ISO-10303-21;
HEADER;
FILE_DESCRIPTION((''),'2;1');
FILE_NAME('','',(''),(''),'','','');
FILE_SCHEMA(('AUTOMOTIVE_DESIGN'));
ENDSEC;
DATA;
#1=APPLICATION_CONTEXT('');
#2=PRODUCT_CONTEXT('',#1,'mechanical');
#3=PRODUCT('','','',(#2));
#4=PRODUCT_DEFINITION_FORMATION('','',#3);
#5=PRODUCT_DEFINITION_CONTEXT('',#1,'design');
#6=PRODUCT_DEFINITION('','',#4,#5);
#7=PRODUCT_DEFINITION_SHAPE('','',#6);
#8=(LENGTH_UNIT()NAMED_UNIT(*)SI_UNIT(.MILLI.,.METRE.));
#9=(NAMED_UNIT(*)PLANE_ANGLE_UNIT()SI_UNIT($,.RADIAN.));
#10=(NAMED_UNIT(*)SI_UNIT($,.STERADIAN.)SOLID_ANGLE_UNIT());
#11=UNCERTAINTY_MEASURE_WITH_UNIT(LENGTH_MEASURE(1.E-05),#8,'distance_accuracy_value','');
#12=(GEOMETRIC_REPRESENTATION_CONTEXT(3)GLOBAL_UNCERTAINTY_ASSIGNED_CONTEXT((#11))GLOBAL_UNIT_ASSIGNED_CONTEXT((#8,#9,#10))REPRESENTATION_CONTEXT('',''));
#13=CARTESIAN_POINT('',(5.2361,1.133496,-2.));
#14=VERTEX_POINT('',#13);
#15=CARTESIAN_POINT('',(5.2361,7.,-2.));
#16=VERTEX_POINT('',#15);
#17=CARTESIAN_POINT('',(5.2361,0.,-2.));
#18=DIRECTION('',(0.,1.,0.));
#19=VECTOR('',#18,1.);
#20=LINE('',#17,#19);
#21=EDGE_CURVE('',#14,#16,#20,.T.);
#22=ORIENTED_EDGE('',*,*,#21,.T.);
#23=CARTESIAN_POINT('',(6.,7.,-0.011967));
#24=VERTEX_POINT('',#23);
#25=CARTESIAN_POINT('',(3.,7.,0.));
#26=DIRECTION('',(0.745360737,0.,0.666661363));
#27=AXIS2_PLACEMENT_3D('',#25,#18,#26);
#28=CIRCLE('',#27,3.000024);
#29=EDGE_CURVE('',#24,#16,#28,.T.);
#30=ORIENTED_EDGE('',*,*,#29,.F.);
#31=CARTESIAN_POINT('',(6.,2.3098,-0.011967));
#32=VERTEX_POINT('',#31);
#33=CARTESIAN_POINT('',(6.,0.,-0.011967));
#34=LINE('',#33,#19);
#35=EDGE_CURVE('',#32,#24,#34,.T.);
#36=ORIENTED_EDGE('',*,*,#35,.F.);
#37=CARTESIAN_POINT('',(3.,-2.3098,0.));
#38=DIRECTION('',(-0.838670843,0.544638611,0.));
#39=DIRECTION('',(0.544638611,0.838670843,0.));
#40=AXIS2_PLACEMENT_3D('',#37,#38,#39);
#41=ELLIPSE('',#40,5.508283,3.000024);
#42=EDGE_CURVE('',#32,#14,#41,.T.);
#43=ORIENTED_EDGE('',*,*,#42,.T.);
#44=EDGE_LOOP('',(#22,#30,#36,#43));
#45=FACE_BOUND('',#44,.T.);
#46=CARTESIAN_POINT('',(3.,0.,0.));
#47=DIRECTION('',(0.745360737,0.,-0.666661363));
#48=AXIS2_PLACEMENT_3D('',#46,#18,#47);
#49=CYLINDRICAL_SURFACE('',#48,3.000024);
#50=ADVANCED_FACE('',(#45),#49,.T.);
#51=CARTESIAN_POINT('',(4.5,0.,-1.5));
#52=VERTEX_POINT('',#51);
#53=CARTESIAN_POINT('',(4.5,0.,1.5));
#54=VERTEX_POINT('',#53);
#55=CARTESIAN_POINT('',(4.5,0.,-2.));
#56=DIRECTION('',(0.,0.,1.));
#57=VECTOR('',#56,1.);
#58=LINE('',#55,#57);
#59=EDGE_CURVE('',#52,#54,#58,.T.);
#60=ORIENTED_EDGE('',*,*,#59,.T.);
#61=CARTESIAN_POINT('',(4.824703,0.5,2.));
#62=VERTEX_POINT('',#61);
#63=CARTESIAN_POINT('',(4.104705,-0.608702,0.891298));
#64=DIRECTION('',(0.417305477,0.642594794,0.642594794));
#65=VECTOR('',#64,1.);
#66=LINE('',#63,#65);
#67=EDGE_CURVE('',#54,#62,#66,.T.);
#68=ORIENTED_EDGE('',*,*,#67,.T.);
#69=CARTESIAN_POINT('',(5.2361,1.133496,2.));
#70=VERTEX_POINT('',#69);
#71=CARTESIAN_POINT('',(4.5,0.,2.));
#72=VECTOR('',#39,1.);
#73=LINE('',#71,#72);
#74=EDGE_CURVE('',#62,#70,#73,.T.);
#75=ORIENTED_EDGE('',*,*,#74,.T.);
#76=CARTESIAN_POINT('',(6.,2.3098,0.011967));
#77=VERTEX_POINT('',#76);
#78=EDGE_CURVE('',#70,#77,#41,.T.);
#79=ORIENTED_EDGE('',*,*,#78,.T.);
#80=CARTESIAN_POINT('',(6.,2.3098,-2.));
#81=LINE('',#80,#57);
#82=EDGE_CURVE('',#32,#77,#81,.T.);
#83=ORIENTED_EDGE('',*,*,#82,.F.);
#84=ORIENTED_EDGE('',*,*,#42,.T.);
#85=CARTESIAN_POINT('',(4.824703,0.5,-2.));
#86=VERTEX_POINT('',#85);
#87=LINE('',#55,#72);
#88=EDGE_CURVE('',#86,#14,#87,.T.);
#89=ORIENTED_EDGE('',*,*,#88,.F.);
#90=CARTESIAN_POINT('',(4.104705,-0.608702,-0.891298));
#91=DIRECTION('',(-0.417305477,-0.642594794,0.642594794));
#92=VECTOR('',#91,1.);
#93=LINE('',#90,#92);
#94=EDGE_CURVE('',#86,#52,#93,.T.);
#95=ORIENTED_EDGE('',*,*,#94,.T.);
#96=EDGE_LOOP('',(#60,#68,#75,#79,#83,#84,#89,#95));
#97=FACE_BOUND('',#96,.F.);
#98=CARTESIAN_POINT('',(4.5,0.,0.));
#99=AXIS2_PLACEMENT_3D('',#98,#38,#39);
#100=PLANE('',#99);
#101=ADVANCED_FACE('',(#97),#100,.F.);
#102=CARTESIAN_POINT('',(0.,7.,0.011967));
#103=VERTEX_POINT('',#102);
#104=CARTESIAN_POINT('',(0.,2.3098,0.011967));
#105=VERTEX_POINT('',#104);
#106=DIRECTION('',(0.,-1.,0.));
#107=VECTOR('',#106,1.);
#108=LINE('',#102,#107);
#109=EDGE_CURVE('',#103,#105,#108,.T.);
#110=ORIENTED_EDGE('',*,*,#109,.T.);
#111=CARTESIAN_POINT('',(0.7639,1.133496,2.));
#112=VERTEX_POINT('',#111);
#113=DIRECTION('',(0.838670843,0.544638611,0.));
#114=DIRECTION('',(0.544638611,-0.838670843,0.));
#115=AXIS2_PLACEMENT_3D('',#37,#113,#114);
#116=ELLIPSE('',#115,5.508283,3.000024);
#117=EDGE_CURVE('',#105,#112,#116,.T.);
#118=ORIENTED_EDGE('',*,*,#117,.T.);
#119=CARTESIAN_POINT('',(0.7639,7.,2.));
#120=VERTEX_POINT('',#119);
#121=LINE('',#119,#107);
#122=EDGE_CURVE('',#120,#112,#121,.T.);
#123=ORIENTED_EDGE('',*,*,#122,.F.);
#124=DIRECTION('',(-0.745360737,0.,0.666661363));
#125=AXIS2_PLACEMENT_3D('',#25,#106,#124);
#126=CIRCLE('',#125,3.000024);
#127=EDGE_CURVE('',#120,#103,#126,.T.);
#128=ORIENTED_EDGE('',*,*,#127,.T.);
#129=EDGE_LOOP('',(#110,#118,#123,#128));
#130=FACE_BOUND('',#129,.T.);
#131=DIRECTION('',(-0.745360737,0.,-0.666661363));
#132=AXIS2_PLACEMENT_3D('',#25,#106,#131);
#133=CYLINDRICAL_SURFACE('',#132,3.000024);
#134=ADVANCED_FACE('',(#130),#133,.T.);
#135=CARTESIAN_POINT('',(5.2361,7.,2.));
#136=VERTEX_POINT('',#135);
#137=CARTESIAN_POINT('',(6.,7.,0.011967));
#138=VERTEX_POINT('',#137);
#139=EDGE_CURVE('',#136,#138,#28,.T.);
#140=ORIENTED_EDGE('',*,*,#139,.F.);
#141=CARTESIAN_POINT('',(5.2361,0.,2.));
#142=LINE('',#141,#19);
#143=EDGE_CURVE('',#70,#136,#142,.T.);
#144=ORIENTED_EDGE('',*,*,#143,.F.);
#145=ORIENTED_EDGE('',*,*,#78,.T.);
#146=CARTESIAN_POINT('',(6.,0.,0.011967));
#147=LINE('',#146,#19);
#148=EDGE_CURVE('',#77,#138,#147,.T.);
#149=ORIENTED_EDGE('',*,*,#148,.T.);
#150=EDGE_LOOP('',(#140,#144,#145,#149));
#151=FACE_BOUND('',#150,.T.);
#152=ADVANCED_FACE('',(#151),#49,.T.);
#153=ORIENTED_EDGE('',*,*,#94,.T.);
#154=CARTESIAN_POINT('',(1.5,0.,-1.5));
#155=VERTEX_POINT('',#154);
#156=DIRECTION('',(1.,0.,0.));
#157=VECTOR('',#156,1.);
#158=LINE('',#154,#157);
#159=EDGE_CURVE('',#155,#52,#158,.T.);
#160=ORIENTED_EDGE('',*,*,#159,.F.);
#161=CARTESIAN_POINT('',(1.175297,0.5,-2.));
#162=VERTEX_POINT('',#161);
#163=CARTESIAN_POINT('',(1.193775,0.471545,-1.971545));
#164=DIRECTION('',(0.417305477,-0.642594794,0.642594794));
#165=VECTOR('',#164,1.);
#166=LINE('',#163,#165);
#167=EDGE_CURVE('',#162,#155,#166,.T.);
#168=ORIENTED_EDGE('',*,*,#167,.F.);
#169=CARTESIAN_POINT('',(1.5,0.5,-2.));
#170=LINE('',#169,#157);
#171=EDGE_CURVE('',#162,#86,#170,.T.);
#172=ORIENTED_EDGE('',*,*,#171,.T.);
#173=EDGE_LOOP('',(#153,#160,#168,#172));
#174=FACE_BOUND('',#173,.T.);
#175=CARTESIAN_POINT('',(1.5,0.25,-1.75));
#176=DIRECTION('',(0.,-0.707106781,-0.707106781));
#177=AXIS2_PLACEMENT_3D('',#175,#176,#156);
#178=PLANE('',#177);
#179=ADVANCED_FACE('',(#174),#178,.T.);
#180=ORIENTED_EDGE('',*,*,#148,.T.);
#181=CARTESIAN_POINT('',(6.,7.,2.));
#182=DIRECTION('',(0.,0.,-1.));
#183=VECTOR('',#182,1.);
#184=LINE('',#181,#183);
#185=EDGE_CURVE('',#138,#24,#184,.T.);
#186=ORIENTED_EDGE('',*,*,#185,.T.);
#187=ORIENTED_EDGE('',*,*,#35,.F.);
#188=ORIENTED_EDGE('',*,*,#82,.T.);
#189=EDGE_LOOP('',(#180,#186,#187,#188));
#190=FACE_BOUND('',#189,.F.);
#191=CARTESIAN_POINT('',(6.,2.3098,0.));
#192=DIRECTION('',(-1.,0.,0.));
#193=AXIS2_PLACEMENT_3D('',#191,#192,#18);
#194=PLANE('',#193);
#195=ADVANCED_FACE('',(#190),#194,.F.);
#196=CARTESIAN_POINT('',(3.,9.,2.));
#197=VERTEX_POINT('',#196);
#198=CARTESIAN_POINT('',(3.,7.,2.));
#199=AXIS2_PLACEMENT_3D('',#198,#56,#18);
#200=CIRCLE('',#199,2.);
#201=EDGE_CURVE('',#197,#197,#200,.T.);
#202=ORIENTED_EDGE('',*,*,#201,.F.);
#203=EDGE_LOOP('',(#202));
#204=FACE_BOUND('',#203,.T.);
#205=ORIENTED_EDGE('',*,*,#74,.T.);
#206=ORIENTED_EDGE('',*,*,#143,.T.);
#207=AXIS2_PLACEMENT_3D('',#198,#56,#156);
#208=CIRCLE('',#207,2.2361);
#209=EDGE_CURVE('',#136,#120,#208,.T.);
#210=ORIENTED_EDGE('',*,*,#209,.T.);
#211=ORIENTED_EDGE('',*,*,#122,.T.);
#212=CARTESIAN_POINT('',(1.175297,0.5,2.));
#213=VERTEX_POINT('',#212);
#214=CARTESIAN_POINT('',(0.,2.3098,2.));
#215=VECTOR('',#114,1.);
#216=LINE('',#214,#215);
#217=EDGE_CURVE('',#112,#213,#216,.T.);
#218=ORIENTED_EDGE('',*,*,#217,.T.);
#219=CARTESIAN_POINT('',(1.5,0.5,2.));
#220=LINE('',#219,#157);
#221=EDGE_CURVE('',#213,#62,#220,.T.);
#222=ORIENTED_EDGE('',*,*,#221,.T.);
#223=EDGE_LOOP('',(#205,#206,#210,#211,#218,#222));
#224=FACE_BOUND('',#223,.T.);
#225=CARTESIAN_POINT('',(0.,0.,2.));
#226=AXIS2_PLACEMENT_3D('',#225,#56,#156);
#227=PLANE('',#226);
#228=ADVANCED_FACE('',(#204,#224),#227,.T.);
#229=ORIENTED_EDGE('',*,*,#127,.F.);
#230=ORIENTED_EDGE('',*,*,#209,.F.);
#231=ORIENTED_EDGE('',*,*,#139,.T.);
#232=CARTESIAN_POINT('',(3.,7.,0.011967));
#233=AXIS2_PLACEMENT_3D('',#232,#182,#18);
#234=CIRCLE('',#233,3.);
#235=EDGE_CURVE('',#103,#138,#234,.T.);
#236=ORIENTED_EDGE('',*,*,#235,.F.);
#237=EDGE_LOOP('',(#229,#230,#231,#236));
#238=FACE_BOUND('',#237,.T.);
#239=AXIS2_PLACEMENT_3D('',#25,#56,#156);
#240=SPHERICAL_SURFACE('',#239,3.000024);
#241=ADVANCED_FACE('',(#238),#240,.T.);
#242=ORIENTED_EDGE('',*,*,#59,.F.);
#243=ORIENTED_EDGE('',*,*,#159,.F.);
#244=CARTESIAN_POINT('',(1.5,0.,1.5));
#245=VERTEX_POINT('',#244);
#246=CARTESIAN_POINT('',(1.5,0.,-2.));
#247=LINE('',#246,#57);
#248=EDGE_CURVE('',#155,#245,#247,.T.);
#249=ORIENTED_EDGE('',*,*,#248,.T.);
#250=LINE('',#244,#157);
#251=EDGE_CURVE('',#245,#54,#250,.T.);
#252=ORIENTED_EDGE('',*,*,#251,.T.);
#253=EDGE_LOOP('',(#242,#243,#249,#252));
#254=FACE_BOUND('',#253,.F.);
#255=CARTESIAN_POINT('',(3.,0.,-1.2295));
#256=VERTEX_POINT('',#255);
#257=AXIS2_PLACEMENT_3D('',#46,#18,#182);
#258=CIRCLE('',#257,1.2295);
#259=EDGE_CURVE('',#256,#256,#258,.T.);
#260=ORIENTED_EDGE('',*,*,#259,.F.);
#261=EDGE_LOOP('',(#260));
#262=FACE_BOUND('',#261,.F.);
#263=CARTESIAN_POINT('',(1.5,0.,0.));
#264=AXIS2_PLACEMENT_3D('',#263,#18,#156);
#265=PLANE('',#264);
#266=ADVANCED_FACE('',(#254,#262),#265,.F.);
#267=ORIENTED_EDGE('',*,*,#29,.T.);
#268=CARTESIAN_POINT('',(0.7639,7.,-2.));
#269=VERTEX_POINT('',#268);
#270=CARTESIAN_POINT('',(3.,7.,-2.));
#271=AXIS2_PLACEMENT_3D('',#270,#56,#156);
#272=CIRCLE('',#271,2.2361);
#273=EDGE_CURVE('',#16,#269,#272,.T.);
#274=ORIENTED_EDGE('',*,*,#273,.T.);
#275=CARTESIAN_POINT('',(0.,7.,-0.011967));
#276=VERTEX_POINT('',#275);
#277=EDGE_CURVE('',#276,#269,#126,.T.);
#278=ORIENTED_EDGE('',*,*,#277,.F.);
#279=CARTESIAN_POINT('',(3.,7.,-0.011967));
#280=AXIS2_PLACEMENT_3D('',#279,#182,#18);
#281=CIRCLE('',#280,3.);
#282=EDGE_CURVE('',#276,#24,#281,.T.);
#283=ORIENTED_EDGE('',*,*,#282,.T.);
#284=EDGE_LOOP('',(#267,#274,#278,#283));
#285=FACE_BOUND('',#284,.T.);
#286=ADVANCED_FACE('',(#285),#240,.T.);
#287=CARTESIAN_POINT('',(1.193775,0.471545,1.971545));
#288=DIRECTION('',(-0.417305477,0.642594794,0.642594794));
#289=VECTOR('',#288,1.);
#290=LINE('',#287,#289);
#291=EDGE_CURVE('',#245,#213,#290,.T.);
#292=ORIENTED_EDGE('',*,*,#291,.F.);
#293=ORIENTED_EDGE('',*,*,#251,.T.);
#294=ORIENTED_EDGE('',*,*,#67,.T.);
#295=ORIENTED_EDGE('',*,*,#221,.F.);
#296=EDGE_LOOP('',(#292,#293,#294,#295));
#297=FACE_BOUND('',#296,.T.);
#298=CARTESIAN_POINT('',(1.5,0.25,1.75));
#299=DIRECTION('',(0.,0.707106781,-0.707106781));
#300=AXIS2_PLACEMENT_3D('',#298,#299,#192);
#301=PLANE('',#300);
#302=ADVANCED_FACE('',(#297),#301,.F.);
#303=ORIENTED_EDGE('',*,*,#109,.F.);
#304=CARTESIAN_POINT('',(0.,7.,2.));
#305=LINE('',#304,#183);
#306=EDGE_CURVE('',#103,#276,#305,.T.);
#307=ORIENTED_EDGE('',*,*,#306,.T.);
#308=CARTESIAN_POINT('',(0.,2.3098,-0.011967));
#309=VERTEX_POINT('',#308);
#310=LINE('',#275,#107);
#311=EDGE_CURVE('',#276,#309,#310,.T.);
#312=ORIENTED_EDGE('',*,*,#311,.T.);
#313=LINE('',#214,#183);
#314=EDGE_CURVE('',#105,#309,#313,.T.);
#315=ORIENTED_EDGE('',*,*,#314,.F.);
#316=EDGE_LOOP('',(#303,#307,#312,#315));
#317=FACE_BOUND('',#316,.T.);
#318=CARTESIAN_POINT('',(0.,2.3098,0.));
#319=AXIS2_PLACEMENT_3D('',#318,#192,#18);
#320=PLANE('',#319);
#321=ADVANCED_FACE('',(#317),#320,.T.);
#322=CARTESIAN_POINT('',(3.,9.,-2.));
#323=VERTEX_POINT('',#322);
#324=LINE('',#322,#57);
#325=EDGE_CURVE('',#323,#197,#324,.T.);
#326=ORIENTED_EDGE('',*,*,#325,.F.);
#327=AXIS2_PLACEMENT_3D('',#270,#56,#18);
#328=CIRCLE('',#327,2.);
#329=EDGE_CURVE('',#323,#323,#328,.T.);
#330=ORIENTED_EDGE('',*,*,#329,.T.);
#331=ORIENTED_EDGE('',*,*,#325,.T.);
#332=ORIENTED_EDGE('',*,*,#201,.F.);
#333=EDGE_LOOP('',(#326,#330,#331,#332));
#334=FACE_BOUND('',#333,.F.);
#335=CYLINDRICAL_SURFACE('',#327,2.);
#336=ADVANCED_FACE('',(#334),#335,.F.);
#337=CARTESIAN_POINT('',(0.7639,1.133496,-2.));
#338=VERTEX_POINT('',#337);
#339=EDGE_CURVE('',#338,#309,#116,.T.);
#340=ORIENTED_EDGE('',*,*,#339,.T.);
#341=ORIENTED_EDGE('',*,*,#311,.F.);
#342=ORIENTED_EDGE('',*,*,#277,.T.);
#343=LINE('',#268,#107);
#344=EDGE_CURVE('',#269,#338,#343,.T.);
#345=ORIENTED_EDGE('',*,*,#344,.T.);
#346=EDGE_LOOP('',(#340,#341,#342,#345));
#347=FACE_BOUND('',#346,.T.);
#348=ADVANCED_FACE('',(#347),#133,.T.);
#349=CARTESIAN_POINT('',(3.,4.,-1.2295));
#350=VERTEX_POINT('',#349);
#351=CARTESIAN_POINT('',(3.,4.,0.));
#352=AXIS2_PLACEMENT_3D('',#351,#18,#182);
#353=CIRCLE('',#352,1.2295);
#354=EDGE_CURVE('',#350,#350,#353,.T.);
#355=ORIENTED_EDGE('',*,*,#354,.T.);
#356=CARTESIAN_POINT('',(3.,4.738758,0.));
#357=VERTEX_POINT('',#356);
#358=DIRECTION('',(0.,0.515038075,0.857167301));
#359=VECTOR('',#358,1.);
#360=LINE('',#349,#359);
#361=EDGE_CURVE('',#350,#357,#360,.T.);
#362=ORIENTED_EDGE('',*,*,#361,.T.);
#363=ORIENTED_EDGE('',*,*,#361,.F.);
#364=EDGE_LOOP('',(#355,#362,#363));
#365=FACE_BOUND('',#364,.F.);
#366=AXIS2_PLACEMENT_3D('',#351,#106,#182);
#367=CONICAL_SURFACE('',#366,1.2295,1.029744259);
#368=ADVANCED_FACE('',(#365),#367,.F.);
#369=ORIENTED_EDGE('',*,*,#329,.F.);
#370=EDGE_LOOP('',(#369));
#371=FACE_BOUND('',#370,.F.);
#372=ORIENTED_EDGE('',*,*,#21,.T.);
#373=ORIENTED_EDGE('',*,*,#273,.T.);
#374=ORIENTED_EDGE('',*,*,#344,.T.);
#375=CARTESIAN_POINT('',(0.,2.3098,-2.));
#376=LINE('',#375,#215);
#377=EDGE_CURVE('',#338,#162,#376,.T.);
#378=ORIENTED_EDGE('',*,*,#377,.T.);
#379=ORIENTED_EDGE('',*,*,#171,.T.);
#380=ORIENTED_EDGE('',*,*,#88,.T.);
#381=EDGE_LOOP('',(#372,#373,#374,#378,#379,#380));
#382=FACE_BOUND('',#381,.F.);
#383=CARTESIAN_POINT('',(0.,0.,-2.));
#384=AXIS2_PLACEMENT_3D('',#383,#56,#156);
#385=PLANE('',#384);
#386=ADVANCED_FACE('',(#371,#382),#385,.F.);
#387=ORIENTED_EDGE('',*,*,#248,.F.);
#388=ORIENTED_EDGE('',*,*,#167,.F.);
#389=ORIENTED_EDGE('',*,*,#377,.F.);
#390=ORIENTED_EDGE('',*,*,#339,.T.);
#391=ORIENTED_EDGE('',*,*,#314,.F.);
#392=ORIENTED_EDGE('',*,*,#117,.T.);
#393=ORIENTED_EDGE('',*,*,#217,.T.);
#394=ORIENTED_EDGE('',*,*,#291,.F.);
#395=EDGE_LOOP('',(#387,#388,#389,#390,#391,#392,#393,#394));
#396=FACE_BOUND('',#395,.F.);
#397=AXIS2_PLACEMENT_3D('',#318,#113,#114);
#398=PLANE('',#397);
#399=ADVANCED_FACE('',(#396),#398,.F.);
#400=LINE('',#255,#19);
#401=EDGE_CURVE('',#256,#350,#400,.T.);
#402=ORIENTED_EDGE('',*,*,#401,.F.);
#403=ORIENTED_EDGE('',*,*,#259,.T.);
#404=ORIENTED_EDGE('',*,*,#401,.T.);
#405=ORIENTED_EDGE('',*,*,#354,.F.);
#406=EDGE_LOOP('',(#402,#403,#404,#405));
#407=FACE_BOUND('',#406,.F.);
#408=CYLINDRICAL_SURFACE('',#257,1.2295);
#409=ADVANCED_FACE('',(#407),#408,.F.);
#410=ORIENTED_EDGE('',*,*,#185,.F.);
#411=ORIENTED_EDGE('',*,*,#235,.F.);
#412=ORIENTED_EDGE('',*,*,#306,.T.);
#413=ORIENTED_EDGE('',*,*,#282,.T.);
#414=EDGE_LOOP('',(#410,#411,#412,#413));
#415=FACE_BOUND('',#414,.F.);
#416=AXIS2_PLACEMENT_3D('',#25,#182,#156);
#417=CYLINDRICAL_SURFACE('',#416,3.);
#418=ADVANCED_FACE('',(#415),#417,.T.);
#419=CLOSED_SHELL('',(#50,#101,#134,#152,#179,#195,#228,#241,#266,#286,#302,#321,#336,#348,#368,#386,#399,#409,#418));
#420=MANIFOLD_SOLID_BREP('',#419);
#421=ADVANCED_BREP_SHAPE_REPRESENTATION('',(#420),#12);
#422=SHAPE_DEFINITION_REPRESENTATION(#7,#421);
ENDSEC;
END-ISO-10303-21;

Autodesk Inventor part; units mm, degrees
ref_plane "YZ Plane" through (0, 0, 0) normal (1, 0, 0) x (0, 1, 0)
ref_plane "XZ Plane" through (0, 0, 0) normal (0, 1, 0) x (-1, 0, 0)
ref_plane "XY Plane" through (0, 0, 0) normal (0, 0, 1) x (1, 0, 0)
sketch "Skizze1" plane through (0, 0, 0) normal (0, 0, 1) x (1, 0, 0)
  line L0 (-1.2, 0) -> (7.2, 0) projected
  line L1 (0, -2) -> (0, 12) projected
  line L2 (0, 7) -> (0, 2.3098)
  line L3 (0, 2.3098) -> (1.5, 0)
  line L4 (1.5, 0) -> (4.5, 0)
  line L5 (4.5, 0) -> (6, 2.3098)
  line L6 (6, 2.3098) -> (6, 7)
  arc A0 (6, 7) -> (0, 7) centre (3, 7) ccw
  point P0 (0, 0)
  dimension "d0" = 33
  dimension "d1" = 33
  dimension "d2" = 3
  dimension "d3" = 10
  dimension "d4" = 1.5
  dimension "d5" = 3
extrude "Extrusion1" add sketch "Skizze1" along normal mid plane 4 contours L3 L1 A0 L6 L5 L0
sketch "Skizze2" plane through (0, 0, -2) normal (0, 0, -1) x (-1, 0, 0)
  arc A0 (0, 7) -> (-6, 7) centre (-3, 7) ccw projected
  point P0 (0, 0)
hole "Bohrung1" at (3, 7, -2) at (3, 7, -2) direction (0, 0, 1) diameter 4 end through all
sketch "Skizze3" plane through (1.5, 0, 2) normal (0, -1, 0) x (1, 0, 0)
  line L0 (-2.7, -2) -> (5.7, -2) projected
  line L1 (-1.5, -4.8) -> (-1.5, 0.8) projected
  point P0 (-1.5, -2)
  point P1 (1.5, -2)
  dimension "d15" = 3
hole "Bohrung2" at (3, 0, 0) direction (0, 1, 0) diameter 2.459 depth 4 tip angle 118
sketch "Skizze4" plane through (1.5, 0, 2) normal (0, -1, 0) x (1, 0, 0)
  arc A0 (3.7361, -4) -> (3.7361, 0) centre (1.5, -2) ccw
  line L0 (3.7361, 0) -> (5.5, 0)
  line L1 (5.5, 0) -> (5.5, -4)
  line L2 (5.5, -4) -> (3.7361, -4)
  line L3 (4.5, -4) -> (3, -4) projected
  line L4 (3, 0) -> (4.5, 0) projected
  line L5 (4.5, -4) -> (4.5, 0) projected
  dimension "d24" = 3
  dimension "d25" = 4
sketch "Skizze5" plane through (0, 0, 2) normal (0, 0, 1) x (1, 0, 0)
  line L0 (6, 0) -> (6, 7)
  line L1 (6, 2.3098) -> (6, 7) projected
  arc A0 (6, 7) -> (0, 7) centre (3, 7) ccw projected
  line L2 (0, 7) -> (0, 2.3098) projected
  arc A1 (6, 7) -> (0, 7) centre (3, 7) ccw
  line L3 (0, 7) -> (0, 0)
sweep "Sweeping2" cut profiles "Skizze4" path "Skizze5" path curves L0 A1 L3
chamfer "Fase2" distance 0.5 angle 45 2 edges at (3, 0, 2) (3, 0, -2)
properties part number "Pleuelkopf"
